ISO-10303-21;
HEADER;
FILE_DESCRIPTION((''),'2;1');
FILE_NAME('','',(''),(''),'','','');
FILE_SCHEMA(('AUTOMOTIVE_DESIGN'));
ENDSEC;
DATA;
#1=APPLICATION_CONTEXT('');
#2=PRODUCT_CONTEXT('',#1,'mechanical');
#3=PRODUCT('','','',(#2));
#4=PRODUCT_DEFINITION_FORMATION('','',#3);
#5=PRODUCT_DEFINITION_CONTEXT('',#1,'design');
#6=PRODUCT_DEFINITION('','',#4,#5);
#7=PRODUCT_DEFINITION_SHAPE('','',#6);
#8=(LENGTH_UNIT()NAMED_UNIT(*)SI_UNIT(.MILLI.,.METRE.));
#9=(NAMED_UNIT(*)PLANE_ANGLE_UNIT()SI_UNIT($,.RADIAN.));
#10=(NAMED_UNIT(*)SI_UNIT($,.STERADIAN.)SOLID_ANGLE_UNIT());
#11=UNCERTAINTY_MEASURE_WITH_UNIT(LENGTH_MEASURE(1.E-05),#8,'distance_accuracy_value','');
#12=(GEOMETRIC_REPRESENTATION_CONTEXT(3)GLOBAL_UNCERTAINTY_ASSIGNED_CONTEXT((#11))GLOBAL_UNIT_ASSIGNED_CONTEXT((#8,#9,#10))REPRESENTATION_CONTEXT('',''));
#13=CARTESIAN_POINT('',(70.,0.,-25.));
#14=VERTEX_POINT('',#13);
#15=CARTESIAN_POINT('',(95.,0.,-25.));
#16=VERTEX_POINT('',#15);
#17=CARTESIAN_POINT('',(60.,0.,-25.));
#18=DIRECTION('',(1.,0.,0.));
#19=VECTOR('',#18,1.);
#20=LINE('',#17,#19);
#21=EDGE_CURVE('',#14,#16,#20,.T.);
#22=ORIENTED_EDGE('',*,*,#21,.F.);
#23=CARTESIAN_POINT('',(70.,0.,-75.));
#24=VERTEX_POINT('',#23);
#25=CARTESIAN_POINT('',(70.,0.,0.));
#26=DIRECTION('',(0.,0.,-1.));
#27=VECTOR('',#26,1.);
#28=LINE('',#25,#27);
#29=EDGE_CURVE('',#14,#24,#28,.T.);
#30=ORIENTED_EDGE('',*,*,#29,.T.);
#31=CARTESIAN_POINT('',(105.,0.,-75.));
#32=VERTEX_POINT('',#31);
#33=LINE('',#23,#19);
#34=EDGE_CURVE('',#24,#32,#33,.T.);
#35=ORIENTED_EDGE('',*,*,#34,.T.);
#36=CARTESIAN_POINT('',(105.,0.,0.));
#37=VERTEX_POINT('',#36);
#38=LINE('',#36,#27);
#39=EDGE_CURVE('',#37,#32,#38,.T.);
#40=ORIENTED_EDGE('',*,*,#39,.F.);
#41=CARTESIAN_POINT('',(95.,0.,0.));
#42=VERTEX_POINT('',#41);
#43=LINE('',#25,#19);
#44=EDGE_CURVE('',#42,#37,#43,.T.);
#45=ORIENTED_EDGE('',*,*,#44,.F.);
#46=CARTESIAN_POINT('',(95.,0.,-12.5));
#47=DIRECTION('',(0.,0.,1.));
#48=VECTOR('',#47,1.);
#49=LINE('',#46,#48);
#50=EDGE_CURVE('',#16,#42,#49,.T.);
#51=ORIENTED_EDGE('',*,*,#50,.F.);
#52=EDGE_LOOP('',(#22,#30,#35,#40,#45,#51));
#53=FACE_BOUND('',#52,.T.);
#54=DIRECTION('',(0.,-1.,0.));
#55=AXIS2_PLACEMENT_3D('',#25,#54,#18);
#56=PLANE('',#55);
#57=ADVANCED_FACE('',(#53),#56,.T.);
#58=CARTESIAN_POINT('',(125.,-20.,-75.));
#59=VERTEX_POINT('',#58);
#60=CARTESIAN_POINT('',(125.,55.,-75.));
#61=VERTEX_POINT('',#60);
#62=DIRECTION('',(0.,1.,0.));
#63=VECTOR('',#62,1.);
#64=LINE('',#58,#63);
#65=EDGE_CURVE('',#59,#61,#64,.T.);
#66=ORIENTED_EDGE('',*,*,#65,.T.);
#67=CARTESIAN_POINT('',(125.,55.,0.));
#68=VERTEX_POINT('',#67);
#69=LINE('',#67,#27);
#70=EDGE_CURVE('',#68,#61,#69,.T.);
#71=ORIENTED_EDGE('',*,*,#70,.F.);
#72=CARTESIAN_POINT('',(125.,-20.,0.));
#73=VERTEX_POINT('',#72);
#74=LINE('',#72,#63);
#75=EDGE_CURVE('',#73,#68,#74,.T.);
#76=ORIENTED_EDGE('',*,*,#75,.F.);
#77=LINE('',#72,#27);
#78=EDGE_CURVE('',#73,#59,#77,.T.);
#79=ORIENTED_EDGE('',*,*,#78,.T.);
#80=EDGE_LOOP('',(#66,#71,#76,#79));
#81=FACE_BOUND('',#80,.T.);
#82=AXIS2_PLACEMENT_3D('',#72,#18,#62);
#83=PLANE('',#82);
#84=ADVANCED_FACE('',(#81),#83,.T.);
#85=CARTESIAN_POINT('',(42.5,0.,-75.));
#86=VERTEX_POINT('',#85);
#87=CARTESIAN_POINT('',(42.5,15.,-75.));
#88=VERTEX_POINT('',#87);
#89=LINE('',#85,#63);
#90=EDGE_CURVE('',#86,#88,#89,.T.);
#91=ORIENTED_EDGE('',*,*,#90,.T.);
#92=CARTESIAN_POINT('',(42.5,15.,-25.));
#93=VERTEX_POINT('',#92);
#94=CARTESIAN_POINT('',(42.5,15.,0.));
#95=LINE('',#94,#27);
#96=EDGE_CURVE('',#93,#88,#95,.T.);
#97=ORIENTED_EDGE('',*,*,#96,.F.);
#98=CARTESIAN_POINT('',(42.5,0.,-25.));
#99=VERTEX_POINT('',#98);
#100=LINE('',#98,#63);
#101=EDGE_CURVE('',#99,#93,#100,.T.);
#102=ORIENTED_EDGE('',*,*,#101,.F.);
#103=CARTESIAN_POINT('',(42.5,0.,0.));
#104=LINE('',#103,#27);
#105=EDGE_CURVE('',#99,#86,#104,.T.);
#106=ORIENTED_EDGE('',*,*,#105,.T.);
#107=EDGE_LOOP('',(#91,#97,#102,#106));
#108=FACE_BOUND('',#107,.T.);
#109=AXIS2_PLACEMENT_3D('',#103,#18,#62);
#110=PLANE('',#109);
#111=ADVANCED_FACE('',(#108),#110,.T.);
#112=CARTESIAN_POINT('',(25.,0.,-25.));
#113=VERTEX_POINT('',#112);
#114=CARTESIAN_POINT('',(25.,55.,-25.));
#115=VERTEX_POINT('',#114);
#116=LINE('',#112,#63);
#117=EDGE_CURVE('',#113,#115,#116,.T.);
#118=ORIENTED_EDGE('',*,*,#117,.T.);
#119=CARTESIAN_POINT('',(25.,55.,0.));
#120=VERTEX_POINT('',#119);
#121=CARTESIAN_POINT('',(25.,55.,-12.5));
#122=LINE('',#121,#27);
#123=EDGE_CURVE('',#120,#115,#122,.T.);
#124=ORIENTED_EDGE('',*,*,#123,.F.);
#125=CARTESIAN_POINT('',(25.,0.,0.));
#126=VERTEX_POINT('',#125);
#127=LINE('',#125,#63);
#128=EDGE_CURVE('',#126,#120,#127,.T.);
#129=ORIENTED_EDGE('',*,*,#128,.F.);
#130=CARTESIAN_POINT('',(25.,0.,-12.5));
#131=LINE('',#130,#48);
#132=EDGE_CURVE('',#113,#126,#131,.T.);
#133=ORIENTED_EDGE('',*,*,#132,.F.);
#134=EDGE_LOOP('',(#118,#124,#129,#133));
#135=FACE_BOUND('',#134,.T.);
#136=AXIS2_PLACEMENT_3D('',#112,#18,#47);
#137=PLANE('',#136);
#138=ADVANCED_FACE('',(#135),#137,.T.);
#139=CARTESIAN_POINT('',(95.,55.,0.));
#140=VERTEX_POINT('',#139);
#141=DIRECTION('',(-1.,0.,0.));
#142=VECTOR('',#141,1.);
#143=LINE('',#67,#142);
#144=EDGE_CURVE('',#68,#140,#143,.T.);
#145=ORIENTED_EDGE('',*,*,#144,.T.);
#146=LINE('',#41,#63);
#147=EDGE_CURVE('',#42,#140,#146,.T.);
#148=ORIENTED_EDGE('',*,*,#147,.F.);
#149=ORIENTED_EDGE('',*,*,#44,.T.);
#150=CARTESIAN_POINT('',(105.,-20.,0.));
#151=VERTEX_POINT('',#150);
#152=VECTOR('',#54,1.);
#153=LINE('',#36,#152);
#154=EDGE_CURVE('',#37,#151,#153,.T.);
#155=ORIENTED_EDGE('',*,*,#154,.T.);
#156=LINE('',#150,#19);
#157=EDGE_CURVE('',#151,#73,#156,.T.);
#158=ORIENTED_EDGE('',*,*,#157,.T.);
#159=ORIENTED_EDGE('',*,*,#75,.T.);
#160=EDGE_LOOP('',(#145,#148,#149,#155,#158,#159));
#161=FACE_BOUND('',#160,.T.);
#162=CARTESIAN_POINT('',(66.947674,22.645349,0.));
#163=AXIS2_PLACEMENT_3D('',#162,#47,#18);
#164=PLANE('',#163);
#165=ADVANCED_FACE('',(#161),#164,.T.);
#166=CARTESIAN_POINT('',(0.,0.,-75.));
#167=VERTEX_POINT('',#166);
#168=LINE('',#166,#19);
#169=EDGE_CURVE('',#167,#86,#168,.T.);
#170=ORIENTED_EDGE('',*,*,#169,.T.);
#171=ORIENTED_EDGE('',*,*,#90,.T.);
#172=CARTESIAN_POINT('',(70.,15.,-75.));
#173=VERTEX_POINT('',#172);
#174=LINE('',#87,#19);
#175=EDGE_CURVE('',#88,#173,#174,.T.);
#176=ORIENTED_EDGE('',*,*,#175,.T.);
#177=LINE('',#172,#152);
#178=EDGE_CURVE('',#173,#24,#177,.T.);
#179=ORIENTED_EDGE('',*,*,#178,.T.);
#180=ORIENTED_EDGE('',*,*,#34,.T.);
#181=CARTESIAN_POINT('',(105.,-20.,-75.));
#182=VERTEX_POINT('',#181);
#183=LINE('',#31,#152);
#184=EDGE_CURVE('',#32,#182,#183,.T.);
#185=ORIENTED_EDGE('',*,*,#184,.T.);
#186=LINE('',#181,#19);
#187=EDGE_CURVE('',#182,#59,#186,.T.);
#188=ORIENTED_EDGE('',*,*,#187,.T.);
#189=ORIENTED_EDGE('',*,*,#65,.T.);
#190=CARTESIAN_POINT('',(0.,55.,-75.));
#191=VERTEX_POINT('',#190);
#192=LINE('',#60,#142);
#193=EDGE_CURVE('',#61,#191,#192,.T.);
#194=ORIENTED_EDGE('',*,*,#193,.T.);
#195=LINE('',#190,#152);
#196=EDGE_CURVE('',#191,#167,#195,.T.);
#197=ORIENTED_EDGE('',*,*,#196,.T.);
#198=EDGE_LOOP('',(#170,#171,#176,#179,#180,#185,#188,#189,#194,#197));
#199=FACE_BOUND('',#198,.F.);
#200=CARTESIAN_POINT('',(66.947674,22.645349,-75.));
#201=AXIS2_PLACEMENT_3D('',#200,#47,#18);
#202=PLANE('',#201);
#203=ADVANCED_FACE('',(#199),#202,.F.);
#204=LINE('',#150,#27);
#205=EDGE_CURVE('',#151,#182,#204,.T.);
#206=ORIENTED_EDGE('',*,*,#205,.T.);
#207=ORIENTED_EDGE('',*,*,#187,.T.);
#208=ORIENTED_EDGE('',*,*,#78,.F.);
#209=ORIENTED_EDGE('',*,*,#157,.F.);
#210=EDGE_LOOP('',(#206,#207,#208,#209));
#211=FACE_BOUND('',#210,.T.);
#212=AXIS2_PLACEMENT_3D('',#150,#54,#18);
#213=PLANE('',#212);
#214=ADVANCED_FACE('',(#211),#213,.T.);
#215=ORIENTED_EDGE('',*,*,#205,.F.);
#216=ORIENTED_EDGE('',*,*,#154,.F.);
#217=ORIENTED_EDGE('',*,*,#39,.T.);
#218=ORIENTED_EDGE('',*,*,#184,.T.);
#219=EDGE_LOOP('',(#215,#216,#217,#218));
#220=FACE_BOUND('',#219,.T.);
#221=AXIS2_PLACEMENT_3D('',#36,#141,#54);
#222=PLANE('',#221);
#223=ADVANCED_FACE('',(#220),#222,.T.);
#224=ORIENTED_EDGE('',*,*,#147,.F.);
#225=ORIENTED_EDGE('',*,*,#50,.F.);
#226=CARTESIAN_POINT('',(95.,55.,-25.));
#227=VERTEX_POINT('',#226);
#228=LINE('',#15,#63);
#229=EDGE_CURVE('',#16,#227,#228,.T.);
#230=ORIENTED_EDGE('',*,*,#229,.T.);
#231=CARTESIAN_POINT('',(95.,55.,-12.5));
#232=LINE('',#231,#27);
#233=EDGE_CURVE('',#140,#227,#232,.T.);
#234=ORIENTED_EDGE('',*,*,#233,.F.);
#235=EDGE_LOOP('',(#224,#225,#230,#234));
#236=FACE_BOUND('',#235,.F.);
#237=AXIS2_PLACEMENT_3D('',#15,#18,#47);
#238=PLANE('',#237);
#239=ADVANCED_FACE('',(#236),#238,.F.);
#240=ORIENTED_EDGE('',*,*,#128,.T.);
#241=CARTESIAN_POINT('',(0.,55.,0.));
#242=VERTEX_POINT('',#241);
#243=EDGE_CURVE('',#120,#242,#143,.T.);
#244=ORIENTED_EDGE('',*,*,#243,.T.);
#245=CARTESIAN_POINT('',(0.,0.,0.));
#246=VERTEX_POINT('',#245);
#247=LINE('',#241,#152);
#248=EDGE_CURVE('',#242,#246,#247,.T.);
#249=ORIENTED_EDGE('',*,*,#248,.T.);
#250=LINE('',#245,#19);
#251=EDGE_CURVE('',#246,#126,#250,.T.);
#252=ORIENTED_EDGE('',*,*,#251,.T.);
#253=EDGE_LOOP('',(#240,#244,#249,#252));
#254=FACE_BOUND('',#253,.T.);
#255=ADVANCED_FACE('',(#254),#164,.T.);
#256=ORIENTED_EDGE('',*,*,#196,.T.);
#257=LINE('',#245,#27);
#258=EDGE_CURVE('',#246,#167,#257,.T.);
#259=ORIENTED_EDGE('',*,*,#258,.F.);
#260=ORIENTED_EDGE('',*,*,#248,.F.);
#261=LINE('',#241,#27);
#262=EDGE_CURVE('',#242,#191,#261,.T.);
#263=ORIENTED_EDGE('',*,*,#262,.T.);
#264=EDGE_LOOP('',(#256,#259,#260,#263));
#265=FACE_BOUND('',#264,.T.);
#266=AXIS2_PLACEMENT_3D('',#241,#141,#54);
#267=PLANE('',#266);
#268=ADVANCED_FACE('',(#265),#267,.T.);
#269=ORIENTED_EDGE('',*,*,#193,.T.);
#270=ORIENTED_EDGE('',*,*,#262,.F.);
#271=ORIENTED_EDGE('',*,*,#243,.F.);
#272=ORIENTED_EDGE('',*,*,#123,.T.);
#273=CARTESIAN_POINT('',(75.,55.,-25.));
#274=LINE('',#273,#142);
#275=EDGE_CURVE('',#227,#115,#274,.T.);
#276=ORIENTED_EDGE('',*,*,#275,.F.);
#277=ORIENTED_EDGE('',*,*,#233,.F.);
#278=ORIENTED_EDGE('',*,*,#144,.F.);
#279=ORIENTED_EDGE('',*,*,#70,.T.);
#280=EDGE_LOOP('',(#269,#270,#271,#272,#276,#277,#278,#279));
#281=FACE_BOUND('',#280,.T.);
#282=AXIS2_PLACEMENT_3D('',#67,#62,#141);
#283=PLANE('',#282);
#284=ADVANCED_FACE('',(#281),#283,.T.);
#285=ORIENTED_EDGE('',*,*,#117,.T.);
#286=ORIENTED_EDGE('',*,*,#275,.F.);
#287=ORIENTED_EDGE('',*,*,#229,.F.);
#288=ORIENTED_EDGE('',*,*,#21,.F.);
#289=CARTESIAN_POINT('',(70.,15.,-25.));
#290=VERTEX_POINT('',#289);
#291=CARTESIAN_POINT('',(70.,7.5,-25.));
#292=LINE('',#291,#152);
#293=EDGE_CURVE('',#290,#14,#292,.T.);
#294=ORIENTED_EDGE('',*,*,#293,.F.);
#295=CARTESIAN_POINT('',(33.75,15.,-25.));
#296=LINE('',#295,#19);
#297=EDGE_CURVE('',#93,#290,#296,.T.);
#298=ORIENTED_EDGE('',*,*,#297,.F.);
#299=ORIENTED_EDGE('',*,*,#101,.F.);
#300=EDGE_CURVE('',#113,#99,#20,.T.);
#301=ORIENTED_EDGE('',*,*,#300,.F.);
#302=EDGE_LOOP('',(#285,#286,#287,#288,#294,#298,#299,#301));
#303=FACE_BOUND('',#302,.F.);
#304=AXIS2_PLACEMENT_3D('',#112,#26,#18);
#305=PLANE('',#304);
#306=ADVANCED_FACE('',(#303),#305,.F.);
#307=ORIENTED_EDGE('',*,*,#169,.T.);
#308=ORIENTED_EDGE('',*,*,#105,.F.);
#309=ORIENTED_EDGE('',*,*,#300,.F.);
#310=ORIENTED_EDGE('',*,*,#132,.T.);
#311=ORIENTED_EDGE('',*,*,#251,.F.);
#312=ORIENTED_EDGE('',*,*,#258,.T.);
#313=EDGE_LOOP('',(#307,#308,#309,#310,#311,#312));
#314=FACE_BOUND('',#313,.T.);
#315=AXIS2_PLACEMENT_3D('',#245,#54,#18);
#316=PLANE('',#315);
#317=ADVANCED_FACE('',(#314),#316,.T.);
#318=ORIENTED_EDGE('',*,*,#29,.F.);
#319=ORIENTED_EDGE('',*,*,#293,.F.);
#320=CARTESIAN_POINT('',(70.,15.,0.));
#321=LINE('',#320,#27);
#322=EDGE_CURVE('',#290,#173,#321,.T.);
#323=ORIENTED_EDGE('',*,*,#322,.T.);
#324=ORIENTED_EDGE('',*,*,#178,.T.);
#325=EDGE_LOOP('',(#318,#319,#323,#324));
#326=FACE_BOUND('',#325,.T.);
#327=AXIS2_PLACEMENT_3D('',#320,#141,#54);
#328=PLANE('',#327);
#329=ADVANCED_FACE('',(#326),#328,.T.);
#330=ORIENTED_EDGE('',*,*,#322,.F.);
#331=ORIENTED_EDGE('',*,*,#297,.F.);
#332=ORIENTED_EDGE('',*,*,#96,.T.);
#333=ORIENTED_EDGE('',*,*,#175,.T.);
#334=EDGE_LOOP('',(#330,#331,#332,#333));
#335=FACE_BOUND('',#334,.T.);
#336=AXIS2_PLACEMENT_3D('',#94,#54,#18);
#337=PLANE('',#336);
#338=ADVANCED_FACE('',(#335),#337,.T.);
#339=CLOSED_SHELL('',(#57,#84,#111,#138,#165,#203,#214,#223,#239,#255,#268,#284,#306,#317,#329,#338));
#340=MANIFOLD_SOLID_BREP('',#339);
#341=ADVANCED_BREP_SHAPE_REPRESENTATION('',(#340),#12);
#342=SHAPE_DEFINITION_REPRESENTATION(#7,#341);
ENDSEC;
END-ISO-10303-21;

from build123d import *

# Parameters (mm, degrees)
F1_DEPTH = 75
F2_W     = 70
F2_H     = 25
F3_DEPTH = 55.001


with BuildPart() as f1:
    # F0 (on Top) → F1 (new body)
    with BuildSketch(Plane.XY):
        Polygon((0, 55), (0, 0), (42.5, 0), (42.5, 15), (70, 15), (70, 0), (105, 0), (105, -20), (125, -20), (125, 55), align=None)
    extrude(amount=-F1_DEPTH)

    # F2 (on Front) → F3 (cut, through all)
    with BuildSketch(Plane.XZ):
        with Locations((60, -12.5)):
            Rectangle(F2_W, F2_H)
    extrude(amount=-F3_DEPTH, mode=Mode.SUBTRACT)


solid = f1.part
